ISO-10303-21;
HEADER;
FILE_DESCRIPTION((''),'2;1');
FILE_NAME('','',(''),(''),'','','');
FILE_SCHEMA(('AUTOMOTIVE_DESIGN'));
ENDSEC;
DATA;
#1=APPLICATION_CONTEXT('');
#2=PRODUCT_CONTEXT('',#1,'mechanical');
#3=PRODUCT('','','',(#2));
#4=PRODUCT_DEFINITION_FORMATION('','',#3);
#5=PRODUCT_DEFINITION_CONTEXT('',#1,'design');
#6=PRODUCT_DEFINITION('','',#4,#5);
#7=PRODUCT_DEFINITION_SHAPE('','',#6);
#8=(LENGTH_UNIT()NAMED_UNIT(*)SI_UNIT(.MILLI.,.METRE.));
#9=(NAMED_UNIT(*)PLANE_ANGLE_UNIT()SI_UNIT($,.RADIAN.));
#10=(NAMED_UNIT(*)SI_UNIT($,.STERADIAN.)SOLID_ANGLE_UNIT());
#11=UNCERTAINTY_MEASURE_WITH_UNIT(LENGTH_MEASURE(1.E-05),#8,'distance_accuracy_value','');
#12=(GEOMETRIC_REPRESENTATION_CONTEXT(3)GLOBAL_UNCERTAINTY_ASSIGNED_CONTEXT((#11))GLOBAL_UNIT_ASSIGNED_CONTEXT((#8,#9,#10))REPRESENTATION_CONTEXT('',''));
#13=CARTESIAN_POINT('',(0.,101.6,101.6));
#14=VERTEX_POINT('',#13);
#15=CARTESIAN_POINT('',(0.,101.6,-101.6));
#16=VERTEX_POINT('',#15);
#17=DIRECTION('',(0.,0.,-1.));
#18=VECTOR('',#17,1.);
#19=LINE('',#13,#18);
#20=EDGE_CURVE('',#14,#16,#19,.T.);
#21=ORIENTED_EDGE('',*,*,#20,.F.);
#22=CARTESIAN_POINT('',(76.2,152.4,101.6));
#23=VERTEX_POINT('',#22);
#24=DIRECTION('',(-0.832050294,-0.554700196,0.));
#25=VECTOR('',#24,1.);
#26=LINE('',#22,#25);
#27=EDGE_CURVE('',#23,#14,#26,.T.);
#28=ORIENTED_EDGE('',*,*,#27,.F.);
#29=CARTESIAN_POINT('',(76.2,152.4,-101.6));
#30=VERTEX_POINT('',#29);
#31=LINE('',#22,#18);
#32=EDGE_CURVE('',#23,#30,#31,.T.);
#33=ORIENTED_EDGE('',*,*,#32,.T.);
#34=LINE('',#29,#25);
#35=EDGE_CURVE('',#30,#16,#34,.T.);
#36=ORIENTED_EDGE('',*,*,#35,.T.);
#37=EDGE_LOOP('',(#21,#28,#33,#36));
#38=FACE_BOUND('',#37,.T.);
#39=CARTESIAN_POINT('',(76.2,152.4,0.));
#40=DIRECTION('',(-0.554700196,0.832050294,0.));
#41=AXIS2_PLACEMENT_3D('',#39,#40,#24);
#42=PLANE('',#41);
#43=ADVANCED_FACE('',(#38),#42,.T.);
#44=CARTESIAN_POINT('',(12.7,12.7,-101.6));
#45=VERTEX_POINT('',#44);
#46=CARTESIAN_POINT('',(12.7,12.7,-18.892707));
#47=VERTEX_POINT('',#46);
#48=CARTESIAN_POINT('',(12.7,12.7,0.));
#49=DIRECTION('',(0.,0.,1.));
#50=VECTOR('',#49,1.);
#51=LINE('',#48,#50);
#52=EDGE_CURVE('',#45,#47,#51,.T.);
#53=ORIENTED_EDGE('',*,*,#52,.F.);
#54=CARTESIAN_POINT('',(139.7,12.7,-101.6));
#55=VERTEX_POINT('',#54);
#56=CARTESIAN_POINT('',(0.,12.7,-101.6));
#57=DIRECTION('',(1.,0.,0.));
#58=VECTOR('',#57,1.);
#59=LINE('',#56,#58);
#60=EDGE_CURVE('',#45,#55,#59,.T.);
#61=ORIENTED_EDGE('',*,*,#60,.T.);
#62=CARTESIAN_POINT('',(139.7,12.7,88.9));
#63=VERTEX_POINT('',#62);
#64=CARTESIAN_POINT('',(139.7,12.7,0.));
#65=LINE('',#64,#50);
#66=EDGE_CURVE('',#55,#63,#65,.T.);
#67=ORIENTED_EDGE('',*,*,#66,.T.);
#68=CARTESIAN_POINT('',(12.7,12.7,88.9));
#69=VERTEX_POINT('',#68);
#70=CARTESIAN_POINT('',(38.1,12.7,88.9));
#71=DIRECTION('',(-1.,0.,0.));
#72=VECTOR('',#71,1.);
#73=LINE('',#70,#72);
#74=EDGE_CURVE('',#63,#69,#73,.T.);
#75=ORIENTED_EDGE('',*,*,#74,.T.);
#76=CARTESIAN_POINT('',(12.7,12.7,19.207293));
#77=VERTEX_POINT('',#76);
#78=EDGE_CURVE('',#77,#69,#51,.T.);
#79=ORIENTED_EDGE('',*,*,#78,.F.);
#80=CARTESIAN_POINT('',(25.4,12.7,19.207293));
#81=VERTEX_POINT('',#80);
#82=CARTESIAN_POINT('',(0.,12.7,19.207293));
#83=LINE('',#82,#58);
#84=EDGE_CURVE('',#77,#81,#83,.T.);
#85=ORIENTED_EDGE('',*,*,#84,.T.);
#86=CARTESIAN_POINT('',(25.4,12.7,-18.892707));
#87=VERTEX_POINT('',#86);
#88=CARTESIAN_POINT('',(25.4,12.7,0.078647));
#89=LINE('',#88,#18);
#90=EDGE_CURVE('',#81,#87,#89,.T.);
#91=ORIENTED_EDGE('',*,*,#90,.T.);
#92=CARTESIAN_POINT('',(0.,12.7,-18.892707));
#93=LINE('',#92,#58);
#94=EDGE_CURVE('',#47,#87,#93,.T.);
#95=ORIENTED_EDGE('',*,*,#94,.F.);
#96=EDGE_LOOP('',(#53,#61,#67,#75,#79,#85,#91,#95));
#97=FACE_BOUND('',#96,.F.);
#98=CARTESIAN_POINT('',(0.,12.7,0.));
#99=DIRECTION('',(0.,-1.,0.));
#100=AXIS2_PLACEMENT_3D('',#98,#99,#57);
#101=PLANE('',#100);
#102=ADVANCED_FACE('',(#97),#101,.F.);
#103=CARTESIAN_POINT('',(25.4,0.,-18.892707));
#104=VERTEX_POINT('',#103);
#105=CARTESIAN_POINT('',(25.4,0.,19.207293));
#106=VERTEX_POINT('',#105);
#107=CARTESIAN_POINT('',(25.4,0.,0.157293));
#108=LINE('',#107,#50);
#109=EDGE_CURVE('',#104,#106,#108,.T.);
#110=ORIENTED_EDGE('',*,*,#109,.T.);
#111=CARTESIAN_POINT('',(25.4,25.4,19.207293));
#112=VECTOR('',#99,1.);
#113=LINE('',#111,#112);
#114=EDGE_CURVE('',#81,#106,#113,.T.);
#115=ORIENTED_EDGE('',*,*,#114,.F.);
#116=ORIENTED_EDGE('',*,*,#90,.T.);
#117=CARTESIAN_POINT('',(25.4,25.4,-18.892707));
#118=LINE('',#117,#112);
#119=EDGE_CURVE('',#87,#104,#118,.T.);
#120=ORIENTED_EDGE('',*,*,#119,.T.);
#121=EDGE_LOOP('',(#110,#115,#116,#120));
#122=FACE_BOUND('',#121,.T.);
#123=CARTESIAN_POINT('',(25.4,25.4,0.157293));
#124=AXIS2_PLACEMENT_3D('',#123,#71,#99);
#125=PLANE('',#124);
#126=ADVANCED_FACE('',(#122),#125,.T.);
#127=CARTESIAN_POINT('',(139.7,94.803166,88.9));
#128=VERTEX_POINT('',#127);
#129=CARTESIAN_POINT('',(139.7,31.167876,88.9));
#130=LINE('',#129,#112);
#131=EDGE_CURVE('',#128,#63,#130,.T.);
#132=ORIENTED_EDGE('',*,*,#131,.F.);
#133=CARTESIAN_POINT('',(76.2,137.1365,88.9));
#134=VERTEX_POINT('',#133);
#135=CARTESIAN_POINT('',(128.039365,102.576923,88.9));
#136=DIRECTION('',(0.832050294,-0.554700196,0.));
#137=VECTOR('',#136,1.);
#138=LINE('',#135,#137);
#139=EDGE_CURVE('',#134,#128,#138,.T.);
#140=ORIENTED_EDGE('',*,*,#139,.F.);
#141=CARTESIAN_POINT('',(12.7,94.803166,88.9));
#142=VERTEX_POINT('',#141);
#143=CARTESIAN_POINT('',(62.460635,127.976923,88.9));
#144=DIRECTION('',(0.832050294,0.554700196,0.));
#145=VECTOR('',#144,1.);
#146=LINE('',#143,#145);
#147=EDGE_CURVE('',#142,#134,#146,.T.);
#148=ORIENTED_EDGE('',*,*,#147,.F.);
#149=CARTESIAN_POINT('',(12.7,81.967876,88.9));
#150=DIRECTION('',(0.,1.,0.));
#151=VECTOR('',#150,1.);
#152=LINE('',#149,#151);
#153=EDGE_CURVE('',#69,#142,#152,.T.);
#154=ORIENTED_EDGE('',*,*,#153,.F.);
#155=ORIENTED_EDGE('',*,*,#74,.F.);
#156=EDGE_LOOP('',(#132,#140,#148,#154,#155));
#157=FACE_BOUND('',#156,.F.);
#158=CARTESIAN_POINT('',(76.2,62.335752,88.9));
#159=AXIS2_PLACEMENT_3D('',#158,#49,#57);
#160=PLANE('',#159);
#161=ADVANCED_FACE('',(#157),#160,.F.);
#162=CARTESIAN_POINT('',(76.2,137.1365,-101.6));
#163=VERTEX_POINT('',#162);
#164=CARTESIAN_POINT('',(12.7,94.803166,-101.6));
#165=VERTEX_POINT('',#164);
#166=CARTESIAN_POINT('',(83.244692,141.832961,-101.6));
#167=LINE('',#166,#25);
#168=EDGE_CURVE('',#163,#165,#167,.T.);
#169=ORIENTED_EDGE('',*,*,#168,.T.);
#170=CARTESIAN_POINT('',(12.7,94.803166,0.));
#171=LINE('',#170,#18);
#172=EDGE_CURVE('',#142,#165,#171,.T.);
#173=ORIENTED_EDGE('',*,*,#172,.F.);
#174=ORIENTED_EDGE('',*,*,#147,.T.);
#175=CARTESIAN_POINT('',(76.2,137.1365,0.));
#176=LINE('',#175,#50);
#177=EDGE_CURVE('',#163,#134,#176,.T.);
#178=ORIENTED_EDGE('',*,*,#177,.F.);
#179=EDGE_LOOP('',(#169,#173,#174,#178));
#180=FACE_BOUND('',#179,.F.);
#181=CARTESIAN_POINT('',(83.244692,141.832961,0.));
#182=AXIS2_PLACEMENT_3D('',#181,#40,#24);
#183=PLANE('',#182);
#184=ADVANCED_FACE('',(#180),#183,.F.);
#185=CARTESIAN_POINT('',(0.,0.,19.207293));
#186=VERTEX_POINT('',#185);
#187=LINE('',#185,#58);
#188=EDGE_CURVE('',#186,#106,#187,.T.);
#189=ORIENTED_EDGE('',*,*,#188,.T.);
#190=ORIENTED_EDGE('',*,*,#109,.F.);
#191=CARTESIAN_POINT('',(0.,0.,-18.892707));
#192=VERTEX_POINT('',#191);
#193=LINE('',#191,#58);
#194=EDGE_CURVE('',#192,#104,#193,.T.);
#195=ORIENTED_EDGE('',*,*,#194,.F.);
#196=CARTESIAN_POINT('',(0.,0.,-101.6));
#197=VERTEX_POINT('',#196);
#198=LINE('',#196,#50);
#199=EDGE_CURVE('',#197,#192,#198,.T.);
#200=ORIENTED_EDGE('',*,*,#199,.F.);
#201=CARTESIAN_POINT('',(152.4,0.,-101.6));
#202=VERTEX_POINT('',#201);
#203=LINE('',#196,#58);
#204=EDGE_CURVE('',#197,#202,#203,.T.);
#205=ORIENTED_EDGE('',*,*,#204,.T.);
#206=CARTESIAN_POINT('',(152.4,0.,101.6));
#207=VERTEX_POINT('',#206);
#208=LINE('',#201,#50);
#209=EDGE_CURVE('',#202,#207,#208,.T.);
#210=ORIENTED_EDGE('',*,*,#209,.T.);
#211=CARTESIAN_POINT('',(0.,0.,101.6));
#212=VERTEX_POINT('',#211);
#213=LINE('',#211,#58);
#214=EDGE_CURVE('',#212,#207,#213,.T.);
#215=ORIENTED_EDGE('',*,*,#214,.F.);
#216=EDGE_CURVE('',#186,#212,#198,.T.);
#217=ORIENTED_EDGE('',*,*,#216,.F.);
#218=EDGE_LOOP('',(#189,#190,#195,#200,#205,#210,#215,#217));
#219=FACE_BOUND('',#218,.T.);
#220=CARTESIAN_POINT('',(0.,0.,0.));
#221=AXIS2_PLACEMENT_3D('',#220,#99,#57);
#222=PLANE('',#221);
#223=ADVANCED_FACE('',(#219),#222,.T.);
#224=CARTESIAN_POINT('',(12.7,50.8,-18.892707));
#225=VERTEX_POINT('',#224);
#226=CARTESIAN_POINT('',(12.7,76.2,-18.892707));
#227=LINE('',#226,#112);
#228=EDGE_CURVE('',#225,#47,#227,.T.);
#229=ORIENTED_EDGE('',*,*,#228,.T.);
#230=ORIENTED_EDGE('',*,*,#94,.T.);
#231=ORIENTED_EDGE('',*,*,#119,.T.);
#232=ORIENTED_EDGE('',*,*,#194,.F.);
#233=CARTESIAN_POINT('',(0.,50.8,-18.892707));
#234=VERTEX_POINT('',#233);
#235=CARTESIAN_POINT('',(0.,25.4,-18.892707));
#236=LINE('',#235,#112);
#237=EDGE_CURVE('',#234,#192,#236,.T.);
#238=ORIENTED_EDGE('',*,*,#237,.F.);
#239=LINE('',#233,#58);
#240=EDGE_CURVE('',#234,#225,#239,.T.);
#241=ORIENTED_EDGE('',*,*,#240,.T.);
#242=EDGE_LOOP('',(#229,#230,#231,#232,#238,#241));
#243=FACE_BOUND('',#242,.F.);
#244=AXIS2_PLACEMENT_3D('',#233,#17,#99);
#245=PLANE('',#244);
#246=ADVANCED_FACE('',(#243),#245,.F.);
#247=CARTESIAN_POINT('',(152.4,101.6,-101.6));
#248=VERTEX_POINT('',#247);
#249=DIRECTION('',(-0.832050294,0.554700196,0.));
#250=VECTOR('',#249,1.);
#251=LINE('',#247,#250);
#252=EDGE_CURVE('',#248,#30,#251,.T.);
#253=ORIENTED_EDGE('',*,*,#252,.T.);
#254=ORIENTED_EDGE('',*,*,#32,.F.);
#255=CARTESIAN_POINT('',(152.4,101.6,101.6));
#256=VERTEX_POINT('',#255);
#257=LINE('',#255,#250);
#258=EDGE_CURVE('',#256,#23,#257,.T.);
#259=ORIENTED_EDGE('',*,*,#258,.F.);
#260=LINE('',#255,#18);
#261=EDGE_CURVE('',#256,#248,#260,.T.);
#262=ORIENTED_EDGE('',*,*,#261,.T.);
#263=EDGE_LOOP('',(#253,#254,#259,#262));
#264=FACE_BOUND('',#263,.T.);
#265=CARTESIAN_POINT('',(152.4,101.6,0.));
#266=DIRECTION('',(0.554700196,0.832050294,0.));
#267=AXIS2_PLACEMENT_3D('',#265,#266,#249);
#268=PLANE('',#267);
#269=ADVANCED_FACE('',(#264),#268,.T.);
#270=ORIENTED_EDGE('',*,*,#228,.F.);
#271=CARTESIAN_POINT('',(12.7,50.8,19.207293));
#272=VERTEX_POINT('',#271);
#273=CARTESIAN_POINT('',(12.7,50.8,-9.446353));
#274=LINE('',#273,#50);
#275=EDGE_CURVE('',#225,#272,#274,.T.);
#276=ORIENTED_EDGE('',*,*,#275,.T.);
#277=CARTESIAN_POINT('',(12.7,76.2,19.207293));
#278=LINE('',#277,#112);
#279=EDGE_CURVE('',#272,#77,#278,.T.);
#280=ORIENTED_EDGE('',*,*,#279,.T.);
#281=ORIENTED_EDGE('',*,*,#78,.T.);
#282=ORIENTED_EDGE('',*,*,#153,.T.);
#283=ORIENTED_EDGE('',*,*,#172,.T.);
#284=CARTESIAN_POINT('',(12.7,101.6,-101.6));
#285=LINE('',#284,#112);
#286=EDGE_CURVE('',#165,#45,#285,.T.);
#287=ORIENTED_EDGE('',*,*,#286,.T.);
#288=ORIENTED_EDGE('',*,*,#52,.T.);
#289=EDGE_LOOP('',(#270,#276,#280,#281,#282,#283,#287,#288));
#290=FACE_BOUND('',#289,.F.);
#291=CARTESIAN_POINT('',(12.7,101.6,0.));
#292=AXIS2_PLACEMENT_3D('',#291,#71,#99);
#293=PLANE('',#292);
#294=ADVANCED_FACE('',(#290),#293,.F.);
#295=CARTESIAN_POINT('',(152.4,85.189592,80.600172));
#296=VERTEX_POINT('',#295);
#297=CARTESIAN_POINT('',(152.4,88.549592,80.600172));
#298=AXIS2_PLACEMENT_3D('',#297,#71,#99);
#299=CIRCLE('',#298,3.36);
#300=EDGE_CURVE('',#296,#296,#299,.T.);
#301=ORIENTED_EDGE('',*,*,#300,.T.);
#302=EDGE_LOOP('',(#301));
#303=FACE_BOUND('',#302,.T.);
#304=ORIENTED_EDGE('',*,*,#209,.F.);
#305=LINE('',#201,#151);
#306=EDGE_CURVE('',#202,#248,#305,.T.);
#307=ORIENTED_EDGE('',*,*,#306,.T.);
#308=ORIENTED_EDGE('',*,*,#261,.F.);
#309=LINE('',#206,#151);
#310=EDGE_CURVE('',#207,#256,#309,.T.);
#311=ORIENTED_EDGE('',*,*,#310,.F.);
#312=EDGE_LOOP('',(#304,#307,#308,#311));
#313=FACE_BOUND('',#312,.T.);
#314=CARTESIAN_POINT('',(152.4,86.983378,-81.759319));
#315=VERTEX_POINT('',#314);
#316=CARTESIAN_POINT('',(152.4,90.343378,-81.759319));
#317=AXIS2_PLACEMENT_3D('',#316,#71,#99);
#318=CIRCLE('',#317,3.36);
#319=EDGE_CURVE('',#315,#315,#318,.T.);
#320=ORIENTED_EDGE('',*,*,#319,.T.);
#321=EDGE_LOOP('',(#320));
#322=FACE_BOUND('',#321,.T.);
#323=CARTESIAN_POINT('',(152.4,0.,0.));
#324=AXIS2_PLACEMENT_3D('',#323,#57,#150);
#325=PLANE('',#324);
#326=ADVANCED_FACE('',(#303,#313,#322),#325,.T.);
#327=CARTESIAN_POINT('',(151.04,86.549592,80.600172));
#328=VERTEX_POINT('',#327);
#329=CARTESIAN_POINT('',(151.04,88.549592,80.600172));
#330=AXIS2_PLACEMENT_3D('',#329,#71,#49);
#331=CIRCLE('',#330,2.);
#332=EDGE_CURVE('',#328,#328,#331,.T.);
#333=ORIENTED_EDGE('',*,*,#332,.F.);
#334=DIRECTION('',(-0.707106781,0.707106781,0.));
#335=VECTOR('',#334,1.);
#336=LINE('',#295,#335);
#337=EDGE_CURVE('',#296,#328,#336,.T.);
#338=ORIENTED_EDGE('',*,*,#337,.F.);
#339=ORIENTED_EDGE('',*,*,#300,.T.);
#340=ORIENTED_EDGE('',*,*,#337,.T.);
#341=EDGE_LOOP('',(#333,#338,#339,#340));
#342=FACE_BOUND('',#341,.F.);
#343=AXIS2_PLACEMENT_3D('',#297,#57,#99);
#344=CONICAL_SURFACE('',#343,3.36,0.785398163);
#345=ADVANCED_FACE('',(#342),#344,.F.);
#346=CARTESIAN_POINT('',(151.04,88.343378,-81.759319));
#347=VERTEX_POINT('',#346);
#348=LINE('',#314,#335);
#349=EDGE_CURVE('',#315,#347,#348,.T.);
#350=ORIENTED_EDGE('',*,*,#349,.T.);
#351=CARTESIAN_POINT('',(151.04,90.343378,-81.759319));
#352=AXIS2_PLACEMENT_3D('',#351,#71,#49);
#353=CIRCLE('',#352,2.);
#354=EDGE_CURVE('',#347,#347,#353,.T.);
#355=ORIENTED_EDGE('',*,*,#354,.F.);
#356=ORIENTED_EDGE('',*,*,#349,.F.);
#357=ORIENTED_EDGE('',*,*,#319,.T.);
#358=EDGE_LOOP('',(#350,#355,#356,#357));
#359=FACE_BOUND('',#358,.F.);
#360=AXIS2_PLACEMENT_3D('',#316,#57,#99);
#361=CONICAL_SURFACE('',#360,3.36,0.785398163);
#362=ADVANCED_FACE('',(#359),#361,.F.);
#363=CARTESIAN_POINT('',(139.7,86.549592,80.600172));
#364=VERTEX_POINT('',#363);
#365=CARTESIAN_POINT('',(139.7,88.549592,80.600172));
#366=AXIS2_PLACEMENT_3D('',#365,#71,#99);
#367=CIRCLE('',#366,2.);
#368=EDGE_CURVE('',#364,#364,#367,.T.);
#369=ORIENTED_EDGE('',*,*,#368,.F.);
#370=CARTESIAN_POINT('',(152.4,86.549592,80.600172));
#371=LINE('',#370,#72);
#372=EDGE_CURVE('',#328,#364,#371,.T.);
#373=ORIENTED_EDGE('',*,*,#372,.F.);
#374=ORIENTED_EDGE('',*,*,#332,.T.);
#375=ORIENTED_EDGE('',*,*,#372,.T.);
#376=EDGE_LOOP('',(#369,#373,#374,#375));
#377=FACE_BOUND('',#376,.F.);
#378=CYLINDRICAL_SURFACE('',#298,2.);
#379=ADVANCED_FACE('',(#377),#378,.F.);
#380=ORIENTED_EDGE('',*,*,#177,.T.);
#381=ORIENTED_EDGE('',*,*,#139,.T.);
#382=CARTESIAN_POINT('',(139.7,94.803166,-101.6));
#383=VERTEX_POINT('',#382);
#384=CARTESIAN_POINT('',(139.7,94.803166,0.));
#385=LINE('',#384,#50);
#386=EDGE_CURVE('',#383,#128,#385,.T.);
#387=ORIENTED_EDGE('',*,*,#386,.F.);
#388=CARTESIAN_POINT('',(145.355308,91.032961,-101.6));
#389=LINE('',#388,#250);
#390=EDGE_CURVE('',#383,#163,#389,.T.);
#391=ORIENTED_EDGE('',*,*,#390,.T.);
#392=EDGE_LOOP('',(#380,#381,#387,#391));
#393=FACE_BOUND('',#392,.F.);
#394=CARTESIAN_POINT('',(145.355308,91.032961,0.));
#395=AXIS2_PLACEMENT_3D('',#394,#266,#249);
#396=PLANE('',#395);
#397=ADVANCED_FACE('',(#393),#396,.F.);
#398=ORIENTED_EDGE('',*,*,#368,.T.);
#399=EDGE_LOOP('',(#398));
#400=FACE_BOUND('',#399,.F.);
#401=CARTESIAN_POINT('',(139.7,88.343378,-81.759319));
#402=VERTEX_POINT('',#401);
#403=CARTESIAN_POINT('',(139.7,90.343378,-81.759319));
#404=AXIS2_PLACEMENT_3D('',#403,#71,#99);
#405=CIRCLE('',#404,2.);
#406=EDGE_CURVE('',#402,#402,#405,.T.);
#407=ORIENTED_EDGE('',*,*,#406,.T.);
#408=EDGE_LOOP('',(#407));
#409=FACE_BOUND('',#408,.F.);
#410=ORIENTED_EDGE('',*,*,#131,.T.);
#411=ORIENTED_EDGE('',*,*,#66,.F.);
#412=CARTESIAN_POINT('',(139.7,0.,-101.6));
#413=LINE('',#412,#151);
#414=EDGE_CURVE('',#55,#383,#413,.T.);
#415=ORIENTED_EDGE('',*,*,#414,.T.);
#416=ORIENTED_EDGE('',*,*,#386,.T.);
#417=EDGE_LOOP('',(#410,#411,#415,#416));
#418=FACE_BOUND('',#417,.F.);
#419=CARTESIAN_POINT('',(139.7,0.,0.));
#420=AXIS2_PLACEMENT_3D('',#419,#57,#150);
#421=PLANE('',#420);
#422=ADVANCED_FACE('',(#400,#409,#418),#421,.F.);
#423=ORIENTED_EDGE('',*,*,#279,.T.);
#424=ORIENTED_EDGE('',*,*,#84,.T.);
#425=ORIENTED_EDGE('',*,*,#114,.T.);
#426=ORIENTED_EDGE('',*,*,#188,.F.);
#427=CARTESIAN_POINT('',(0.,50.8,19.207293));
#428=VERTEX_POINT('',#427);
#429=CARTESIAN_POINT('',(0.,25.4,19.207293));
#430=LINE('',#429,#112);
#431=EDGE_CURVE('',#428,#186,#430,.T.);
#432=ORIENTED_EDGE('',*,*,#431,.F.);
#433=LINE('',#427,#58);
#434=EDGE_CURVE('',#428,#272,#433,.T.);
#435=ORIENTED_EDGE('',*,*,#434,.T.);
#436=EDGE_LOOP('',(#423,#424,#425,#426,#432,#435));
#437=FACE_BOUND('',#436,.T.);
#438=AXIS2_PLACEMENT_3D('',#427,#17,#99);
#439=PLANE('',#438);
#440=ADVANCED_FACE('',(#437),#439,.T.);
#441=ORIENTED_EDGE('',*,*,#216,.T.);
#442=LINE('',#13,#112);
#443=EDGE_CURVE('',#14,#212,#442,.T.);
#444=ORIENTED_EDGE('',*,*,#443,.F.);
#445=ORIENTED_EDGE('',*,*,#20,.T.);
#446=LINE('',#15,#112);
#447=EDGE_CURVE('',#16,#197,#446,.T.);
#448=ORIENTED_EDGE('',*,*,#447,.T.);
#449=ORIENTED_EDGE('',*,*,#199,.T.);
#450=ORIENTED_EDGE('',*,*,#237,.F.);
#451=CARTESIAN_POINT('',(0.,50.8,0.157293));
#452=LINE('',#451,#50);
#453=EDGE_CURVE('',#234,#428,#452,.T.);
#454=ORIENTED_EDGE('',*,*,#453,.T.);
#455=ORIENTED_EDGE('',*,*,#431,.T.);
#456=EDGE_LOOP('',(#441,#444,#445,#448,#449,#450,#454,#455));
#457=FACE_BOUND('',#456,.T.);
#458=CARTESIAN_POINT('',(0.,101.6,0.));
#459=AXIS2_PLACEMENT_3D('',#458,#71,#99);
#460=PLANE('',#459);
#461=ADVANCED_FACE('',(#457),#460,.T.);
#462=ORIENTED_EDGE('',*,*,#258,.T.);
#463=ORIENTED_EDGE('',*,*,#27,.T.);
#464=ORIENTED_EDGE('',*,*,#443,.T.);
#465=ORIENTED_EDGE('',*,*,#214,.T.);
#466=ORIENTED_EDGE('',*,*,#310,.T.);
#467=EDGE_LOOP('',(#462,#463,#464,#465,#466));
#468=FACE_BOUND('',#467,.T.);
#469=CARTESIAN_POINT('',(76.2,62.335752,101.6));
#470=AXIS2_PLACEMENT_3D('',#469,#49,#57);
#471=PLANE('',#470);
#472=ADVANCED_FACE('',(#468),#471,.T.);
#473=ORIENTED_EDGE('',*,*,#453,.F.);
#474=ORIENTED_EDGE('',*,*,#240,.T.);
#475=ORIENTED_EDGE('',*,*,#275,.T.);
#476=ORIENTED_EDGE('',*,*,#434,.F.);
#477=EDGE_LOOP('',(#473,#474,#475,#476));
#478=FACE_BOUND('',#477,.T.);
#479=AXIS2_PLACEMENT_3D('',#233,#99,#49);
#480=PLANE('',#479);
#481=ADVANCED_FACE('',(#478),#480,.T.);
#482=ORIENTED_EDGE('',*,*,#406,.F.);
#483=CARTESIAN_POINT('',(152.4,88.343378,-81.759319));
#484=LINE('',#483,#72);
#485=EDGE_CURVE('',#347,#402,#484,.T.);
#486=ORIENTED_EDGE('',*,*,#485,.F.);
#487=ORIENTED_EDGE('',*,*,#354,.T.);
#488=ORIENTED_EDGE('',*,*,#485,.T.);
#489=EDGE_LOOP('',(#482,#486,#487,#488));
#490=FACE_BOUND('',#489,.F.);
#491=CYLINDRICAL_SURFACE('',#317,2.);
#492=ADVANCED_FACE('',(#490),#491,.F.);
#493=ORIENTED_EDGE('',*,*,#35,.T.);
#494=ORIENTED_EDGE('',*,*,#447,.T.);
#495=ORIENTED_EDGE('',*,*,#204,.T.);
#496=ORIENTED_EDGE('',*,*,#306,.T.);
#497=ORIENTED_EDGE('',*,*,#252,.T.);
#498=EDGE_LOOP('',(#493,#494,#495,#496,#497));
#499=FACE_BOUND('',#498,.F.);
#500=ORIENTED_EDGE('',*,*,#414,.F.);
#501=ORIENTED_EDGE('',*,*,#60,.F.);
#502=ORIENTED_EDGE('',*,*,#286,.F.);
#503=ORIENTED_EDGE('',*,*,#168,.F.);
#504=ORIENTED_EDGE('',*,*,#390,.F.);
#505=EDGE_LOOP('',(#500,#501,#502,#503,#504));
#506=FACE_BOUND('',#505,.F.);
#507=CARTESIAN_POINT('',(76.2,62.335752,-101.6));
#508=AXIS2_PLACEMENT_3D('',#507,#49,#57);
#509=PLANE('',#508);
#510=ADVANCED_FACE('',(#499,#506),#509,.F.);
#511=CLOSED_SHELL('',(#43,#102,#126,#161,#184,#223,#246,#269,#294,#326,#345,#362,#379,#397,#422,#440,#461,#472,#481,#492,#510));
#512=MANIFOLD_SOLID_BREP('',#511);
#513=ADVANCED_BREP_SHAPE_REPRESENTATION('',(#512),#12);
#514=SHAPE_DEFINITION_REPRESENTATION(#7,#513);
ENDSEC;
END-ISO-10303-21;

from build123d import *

# Parameters (mm, degrees)
F1_DEPTH       = 101.6
F3_T           = -12.7
F2_W           = 50.8
F2_H           = 38.1
F4_DEPTH       = 25.4
F7_D           = 4
F7_DEPTH       = 14.2
F7_CSINK_D     = 6.72
F7_CSINK_ANGLE = 90
F7_TIP         = 1.2017212381


with BuildPart() as f1:
    # F0 (on Top) → F1 (new body, symmetric)
    with BuildSketch(Plane.XY):
        Polygon((0, 101.6), (0, 0), (152.4, 0), (152.4, 101.6), (76.2, 152.4), align=None)
    extrude(amount=F1_DEPTH, both=True)

    # F3
    f3_openings = [f1.faces().sort_by_distance(p)[0] for p in [
        (76.2, 64.346667, -101.6),
    ]]
    offset(amount=F3_T, openings=f3_openings)

    # F2 (on face) → F4 (cut)
    with BuildSketch(Plane(origin=(0, 0, 0), x_dir=(0, -1, 0), z_dir=(-1, 0, 0))):
        with Locations((-25.4, 0.1572931677)):
            Rectangle(F2_W, F2_H)
    extrude(amount=-F4_DEPTH, mode=Mode.SUBTRACT)

    # F7
    with Locations(Plane.YZ.offset(152.4)):
        with Locations((88.5495916009, 80.6001722813), (90.3433784842, -81.7593187094)):
            CounterSinkHole(F7_D / 2, F7_CSINK_D / 2, depth=F7_DEPTH, counter_sink_angle=F7_CSINK_ANGLE)
            with Locations((0, 0, -(F7_DEPTH + F7_TIP / 2))):  # 118° drill point
                Cone(0, F7_D / 2, F7_TIP, mode=Mode.SUBTRACT)


solid = f1.part
